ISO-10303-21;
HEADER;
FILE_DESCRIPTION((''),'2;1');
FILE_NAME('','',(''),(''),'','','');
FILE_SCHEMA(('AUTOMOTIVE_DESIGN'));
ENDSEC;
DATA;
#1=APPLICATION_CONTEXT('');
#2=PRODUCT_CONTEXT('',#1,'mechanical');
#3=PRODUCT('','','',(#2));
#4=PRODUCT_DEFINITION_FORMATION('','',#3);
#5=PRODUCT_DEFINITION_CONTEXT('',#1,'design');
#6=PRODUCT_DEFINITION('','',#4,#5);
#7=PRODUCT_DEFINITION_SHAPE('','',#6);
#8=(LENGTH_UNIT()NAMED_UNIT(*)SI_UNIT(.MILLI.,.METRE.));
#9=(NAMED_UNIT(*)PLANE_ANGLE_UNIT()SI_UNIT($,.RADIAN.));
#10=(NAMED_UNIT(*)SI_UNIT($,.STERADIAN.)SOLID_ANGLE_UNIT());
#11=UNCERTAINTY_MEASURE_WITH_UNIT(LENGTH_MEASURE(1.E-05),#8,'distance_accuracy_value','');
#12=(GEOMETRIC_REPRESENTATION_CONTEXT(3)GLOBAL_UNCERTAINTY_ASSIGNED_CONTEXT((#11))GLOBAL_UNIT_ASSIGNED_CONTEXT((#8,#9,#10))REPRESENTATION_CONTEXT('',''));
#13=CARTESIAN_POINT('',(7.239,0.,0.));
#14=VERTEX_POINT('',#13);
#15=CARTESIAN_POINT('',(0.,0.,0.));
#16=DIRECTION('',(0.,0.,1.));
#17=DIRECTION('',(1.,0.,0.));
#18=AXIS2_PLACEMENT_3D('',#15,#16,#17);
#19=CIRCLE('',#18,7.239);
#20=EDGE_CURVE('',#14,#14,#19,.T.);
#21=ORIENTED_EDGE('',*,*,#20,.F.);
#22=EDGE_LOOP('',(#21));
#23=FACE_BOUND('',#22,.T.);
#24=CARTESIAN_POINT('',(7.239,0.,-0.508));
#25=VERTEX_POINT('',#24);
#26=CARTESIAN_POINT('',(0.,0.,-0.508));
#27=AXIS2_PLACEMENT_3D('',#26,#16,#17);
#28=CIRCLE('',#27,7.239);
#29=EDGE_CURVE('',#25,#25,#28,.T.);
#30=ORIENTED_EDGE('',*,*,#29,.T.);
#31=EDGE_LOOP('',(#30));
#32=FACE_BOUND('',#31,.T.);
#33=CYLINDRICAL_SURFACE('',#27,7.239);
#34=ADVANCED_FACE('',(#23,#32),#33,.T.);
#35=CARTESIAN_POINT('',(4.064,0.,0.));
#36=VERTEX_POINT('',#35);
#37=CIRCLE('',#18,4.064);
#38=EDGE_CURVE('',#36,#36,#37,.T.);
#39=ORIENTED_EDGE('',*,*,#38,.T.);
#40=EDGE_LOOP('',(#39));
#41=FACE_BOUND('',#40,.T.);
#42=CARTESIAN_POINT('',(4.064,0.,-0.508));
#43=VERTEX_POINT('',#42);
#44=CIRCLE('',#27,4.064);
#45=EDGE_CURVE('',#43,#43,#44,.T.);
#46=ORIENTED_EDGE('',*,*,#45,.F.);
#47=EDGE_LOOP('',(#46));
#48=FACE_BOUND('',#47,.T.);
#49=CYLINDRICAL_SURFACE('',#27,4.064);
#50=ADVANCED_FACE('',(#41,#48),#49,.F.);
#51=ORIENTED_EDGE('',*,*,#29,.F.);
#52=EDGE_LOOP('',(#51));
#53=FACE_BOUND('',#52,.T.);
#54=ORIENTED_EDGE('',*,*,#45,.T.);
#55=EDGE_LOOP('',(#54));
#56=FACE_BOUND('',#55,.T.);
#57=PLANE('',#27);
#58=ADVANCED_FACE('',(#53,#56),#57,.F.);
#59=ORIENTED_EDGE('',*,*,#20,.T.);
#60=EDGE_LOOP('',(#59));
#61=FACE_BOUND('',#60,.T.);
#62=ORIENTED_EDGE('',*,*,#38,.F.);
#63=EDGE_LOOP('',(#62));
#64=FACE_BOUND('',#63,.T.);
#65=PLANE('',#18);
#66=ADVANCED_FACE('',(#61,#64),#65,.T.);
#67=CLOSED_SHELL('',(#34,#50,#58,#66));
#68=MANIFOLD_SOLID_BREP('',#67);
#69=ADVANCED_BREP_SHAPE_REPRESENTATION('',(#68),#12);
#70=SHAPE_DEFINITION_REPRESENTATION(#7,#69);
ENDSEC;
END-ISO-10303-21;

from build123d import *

# Parameters (mm, degrees)
SKETCH1_R      = 7.239
SKETCH1_R_2    = 4.064
EXTRUDE1_DEPTH = 0.508


with BuildPart() as part:
    # Sketch1 → Extrude1 (new body)
    with BuildSketch(Plane.XY):
        Circle(SKETCH1_R)
        Circle(SKETCH1_R_2, mode=Mode.SUBTRACT)
    extrude(amount=-EXTRUDE1_DEPTH)


solid = part.part
